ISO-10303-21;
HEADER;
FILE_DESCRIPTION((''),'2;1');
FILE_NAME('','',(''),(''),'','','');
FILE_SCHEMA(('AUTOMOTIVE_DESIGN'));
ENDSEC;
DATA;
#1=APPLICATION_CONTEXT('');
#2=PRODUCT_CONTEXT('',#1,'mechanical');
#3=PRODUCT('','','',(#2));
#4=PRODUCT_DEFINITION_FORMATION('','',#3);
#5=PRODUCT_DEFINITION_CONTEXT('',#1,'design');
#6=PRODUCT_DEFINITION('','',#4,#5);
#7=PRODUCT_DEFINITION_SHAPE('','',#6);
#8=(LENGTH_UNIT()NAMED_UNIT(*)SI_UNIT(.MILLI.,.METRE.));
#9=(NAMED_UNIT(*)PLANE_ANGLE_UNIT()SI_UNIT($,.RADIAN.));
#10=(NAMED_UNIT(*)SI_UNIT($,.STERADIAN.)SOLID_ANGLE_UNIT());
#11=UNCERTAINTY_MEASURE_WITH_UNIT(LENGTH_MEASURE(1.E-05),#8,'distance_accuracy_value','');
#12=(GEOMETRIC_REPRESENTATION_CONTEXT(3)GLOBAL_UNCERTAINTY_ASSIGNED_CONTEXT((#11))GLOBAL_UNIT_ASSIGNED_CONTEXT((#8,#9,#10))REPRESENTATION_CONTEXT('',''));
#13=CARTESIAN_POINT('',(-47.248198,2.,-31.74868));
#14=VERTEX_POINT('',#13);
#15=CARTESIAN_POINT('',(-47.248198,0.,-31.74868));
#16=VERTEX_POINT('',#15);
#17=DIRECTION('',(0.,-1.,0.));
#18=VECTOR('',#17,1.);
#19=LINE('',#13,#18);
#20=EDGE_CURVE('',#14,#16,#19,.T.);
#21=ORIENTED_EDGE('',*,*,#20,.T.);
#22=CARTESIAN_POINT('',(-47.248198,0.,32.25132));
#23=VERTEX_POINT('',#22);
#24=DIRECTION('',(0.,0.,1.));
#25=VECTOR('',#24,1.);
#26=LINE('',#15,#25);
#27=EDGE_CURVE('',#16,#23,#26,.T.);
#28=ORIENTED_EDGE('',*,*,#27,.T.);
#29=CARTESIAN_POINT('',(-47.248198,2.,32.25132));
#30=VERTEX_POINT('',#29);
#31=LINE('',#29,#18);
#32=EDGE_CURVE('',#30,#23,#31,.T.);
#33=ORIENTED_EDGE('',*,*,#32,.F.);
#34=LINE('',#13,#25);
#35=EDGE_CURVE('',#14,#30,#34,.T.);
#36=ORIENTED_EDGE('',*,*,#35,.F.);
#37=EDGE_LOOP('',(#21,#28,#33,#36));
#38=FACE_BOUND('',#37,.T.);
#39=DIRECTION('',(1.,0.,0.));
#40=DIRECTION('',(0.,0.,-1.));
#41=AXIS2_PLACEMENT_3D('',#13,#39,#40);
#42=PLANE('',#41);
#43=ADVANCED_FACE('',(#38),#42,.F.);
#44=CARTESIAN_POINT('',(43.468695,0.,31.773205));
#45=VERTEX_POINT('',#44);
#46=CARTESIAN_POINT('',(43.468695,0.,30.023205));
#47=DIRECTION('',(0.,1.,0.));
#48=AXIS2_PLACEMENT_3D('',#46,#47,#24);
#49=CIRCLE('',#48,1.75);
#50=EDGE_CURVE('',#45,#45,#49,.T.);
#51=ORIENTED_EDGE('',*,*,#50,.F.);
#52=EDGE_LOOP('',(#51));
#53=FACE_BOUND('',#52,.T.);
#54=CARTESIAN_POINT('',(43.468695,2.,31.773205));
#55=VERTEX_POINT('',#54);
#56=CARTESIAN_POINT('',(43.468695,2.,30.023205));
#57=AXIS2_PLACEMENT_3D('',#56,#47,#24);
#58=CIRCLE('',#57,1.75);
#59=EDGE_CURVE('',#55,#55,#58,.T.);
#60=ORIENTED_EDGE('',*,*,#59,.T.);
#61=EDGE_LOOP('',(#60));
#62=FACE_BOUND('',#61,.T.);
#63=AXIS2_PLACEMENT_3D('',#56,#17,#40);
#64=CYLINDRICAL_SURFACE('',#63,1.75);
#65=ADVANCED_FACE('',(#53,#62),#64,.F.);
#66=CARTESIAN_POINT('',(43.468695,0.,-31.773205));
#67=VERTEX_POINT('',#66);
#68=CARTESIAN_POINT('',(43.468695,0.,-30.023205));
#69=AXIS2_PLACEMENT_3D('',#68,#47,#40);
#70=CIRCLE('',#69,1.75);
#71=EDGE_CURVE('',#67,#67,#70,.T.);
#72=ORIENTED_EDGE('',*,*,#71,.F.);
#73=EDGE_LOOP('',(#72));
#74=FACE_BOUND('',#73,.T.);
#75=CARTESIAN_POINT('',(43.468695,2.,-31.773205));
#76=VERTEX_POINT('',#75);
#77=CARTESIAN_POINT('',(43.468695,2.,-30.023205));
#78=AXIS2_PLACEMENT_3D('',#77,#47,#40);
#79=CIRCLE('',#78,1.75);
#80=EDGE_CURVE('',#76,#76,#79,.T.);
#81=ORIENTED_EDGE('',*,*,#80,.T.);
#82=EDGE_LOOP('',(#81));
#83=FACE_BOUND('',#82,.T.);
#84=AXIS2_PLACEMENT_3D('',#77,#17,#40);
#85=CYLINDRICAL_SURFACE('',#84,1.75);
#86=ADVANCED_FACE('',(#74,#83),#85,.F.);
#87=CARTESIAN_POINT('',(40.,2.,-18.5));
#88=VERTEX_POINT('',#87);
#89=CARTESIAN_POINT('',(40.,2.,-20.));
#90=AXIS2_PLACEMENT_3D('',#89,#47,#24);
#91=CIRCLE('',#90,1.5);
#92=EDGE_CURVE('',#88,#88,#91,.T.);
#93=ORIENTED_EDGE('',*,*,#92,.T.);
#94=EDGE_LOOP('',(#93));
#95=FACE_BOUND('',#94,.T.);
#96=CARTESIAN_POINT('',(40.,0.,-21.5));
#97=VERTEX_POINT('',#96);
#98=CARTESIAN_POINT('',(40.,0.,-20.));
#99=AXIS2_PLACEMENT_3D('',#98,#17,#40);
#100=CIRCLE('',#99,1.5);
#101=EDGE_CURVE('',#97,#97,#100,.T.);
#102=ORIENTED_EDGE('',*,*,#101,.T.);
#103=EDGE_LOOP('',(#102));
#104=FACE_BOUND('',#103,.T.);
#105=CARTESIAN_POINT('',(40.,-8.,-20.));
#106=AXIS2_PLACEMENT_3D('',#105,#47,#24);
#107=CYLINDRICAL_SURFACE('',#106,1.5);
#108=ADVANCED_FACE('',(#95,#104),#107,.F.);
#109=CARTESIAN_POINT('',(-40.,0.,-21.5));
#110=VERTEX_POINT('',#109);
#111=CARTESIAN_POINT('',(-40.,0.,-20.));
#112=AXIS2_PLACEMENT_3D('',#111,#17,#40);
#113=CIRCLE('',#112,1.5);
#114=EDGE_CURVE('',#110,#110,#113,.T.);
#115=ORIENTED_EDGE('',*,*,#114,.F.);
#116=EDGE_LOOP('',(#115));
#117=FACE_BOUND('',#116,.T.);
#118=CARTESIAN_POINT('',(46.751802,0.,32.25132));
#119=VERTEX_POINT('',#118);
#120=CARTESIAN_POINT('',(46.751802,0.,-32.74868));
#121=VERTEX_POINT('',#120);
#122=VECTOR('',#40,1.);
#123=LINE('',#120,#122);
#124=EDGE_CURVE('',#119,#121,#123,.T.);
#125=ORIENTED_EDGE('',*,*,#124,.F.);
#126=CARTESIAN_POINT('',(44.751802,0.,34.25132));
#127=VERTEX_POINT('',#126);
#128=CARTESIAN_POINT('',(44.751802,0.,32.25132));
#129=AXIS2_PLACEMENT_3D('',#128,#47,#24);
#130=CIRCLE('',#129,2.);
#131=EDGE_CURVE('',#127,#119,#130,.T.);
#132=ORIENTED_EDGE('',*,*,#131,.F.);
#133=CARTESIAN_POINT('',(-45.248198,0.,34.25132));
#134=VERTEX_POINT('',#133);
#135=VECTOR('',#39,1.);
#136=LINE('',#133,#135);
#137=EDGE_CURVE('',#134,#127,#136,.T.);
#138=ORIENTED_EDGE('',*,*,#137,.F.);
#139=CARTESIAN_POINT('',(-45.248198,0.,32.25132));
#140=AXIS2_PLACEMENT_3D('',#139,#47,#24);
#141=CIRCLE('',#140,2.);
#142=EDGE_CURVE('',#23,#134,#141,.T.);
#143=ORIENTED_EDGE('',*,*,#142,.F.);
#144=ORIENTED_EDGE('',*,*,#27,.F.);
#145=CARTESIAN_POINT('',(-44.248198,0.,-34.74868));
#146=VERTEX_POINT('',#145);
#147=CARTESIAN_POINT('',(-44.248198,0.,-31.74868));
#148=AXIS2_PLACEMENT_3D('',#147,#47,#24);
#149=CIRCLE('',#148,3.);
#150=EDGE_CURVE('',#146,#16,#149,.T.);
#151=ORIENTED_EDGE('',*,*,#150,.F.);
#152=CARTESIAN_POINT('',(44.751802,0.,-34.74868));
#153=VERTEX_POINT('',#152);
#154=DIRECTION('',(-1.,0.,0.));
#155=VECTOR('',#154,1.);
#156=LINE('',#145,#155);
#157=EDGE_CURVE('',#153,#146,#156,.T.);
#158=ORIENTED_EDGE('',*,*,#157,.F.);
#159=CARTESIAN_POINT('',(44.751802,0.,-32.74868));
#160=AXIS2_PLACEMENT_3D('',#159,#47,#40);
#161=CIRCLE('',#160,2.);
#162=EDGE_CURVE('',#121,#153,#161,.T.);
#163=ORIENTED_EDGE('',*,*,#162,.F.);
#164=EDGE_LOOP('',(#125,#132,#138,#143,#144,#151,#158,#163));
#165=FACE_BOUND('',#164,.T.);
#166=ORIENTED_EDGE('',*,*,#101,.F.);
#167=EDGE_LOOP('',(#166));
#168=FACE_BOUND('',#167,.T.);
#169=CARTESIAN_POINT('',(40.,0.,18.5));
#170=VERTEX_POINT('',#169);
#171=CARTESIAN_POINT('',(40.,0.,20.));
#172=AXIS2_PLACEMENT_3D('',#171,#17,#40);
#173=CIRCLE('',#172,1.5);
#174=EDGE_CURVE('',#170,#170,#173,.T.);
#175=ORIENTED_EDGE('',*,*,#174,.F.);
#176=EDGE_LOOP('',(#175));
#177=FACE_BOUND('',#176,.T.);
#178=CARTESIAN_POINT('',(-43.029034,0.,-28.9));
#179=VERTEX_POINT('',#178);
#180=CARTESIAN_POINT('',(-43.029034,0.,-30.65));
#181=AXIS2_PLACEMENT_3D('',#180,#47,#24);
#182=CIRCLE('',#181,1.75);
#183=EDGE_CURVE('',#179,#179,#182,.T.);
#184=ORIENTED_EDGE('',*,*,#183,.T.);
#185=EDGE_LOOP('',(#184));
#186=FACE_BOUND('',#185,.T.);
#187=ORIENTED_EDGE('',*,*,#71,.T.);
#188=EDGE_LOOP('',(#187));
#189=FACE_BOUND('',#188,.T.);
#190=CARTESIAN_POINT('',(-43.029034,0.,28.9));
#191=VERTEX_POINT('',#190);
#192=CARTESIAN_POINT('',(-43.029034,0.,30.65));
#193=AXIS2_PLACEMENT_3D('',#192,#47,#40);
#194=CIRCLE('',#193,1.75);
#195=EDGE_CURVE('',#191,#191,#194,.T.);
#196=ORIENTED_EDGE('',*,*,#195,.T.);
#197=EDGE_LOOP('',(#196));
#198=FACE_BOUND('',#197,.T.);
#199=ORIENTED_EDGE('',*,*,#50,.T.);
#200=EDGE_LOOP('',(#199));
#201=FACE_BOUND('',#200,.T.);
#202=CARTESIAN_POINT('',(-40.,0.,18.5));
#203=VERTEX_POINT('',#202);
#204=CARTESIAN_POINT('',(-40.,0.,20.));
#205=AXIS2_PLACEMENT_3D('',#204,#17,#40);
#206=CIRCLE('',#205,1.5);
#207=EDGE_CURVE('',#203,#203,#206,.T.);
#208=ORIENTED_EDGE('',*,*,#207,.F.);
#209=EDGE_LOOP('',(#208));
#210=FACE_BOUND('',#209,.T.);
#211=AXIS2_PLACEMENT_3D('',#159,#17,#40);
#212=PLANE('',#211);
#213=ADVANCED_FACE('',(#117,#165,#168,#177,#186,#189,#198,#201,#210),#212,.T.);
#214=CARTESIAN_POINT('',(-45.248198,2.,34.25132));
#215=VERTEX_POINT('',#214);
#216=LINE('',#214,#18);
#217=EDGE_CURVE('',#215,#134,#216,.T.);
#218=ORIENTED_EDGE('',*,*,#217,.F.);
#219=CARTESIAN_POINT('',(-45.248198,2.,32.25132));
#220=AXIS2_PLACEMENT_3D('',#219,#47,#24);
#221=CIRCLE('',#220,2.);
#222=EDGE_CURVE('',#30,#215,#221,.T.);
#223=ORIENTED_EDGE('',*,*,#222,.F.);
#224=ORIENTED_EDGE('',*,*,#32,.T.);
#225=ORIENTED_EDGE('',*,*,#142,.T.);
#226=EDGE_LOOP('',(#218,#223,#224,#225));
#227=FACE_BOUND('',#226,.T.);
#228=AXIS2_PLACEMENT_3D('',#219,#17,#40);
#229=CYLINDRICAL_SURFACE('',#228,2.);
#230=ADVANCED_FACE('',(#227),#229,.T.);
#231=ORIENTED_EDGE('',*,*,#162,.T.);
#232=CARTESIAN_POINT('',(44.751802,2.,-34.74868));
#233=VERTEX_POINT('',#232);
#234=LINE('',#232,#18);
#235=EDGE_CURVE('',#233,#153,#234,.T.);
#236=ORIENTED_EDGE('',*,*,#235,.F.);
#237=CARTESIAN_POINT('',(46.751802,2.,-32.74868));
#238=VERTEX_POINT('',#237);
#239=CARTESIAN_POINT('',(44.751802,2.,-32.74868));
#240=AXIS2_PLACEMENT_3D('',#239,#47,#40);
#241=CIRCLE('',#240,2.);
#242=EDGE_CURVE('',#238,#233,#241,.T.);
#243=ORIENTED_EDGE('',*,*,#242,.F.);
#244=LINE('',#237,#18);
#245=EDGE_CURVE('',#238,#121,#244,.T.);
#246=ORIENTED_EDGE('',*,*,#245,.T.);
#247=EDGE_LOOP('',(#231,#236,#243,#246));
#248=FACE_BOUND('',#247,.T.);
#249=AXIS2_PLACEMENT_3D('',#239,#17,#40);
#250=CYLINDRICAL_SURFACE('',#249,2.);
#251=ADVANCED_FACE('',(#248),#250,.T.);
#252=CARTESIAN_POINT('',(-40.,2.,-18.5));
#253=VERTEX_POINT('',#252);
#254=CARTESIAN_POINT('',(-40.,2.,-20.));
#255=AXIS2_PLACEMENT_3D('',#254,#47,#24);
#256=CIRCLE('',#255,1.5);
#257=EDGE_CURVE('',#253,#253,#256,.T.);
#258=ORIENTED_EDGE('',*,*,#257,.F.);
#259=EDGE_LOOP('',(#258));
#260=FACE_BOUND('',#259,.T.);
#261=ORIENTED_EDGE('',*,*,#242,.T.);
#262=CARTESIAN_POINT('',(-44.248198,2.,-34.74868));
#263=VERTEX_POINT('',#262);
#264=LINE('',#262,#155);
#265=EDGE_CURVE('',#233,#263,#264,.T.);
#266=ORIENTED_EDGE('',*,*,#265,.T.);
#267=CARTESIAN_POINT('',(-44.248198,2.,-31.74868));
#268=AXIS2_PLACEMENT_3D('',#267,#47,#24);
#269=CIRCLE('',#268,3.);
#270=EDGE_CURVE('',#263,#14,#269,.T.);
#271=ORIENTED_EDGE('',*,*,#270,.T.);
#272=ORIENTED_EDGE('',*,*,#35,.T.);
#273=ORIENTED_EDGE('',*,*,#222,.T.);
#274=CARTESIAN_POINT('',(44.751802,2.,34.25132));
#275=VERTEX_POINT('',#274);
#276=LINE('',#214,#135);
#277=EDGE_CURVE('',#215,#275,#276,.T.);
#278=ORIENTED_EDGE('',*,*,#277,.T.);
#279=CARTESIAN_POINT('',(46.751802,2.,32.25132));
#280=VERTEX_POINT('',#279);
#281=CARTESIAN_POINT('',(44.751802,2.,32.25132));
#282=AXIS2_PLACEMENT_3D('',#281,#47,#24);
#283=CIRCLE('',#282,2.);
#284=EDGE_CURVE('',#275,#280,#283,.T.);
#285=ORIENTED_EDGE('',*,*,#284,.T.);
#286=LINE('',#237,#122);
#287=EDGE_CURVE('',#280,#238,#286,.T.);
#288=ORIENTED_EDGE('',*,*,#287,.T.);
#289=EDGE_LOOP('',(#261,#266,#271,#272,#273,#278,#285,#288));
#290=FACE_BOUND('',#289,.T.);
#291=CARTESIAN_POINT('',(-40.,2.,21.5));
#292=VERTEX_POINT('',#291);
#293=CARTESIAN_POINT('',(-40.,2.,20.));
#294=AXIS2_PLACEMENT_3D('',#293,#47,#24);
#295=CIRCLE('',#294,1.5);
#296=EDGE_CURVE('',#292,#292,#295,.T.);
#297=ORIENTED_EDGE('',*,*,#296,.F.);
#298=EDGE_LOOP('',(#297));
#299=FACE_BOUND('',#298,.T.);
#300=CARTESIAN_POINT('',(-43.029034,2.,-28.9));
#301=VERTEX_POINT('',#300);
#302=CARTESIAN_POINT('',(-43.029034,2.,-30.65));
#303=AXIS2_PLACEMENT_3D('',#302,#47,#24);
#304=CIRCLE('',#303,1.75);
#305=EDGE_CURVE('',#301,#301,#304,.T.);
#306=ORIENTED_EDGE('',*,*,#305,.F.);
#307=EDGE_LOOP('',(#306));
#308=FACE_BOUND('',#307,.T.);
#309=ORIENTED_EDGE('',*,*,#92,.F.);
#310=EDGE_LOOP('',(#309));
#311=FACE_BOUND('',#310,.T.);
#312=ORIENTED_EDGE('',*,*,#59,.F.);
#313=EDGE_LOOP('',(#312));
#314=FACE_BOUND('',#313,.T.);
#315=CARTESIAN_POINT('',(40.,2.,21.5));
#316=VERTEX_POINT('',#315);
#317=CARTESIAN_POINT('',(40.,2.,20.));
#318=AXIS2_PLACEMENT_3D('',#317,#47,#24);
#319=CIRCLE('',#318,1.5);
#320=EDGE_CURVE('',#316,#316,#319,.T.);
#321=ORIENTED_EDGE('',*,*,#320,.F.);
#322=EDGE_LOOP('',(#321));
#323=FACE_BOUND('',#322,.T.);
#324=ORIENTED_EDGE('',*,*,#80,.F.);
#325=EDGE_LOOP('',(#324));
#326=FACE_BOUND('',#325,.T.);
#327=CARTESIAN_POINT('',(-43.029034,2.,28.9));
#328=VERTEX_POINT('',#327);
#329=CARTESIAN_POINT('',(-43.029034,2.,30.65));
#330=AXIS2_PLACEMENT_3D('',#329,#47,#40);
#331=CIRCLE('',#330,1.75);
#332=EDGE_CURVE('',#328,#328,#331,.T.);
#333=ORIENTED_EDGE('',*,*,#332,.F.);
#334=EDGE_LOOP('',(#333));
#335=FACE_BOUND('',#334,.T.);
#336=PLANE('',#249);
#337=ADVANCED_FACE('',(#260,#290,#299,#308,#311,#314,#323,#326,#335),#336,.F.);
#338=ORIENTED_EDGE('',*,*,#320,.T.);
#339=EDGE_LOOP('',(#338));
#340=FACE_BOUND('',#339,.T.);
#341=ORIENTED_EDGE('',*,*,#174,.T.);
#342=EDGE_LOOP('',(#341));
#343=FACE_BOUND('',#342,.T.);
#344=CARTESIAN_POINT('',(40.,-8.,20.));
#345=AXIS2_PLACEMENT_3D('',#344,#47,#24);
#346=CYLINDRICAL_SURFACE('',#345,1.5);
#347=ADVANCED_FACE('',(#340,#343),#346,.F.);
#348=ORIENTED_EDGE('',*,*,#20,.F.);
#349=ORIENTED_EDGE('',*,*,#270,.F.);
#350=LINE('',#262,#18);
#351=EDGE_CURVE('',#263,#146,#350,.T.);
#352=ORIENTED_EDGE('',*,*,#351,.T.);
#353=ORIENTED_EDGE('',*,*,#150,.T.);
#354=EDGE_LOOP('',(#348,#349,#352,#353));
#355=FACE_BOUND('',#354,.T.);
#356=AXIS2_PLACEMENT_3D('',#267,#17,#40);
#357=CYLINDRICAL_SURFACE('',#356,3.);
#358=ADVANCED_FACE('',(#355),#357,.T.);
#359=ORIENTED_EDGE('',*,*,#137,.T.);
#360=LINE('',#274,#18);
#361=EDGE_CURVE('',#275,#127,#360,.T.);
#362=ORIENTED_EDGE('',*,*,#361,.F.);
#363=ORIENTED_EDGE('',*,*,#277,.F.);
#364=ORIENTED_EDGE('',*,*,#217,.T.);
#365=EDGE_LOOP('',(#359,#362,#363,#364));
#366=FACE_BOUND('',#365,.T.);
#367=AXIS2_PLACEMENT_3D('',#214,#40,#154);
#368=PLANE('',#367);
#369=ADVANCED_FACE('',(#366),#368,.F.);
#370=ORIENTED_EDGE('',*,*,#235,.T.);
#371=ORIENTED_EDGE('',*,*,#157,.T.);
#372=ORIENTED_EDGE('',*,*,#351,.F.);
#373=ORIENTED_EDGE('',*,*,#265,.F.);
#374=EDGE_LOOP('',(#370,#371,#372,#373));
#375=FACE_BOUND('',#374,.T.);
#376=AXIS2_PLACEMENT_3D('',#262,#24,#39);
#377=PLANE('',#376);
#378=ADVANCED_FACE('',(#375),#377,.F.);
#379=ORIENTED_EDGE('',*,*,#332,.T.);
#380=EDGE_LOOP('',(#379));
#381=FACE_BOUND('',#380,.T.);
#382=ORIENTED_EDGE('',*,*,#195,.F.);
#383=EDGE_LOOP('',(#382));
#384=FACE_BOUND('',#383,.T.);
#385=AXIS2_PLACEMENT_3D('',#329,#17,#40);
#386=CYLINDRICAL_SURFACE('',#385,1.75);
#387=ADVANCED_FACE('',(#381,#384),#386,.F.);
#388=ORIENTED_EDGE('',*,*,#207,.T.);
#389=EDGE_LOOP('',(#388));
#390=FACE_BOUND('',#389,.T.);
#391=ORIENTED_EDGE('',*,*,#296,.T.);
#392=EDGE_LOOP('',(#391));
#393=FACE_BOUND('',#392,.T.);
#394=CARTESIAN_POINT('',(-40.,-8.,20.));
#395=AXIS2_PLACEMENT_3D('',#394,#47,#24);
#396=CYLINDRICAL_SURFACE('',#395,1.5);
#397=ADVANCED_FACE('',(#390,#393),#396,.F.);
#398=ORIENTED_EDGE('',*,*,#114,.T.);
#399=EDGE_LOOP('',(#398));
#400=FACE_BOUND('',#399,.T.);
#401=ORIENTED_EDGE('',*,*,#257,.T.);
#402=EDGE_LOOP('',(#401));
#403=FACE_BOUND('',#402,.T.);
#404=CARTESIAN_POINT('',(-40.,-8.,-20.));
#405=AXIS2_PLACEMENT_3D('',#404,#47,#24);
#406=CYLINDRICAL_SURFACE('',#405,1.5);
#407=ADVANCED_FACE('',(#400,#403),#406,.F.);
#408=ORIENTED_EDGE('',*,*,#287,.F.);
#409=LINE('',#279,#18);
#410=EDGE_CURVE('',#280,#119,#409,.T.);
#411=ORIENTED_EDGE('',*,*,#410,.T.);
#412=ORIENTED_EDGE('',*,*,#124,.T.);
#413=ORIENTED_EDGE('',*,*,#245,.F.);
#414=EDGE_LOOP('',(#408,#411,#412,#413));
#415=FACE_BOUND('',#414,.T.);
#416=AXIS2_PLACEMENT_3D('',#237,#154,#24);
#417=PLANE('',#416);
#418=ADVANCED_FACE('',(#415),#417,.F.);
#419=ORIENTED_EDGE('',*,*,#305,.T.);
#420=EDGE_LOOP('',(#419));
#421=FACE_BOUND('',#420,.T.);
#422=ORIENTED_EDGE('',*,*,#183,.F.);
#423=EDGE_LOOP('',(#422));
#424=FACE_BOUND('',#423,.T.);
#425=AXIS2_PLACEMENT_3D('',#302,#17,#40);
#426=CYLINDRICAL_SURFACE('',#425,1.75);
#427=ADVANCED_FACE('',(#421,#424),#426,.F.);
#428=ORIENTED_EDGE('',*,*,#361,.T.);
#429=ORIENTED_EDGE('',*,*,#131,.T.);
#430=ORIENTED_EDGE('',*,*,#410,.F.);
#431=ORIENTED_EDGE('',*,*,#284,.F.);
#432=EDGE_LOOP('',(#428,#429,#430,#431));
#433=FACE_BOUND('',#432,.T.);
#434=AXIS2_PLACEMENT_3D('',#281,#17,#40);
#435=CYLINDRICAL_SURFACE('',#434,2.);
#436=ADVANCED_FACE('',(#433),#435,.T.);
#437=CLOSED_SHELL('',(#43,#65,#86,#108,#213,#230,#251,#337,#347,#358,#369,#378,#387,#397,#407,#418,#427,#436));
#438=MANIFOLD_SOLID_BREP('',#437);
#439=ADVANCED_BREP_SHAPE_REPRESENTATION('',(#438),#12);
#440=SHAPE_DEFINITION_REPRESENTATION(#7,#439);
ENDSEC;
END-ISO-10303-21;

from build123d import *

# Parameters (mm, degrees)
SKETCH_1_R          = 1.75
EXTRUDE_1_DEPTH     = 2
SKETCH_3_R          = 1.5
CUT_EXTRUDE_1_DEPTH = 10


with BuildPart() as part:
    # 草图1 → 凸台-拉伸1 (new body)
    with BuildSketch(Plane(origin=(0, 0, 0), x_dir=(1, 0, 0), z_dir=(0, 1, 0))):
        with BuildLine():
            Line((-44.248197972, 34.748679798), (44.751802028, 34.748679798))
            ThreePointArc((44.751802028, 34.748679798), (46.16601559, 34.16289336), (46.751802028, 32.748679798))
            Line((46.751802028, 32.748679798), (46.751802028, -32.251320202))
            ThreePointArc((46.751802028, -32.251320202), (46.16601559, -33.665533764), (44.751802028, -34.251320202))
            Line((44.751802028, -34.251320202), (-45.248197972, -34.251320202))
            ThreePointArc((-45.248197972, -34.251320202), (-46.662411535, -33.665533764), (-47.248197972, -32.251320202))
            Line((-47.248197972, -32.251320202), (-47.248197972, 31.748679798))
            ThreePointArc((-47.248197972, 31.748679798), (-46.369518316, 33.870000142), (-44.248197972, 34.748679798))
        make_face()
        with Locations(Location((-43.029034064, 30.65, 0), (0, 0, 270))):
            Circle(SKETCH_1_R, mode=Mode.SUBTRACT)
        with Locations(Location((43.468694969, 30.023204862, 0), (0, 0, 90))):
            Circle(SKETCH_1_R, mode=Mode.SUBTRACT)
        with Locations(Location((43.468694969, -30.023204862, 0), (0, 0, 270))):
            Circle(SKETCH_1_R, mode=Mode.SUBTRACT)
        with Locations(Location((-43.029034064, -30.65, 0), (0, 0, 90))):
            Circle(SKETCH_1_R, mode=Mode.SUBTRACT)
    extrude(amount=EXTRUDE_1_DEPTH)

    # 草图3 → 切除-拉伸1 (cut)
    with BuildSketch(Plane(origin=(0, 2, 0), x_dir=(1, 0, 0), z_dir=(0, 1, 0))):
        with Locations(Location((-40, -20, 0), (0, 0, 270))):
            Circle(SKETCH_3_R)
        with Locations(Location((40, -20, 0), (0, 0, 270))):
            Circle(SKETCH_3_R)
        with Locations(Location((40, 20, 0), (0, 0, 270))):
            Circle(SKETCH_3_R)
        with Locations(Location((-40, 20, 0), (0, 0, 270))):
            Circle(SKETCH_3_R)
    extrude(amount=-CUT_EXTRUDE_1_DEPTH, mode=Mode.SUBTRACT)


solid = part.part
